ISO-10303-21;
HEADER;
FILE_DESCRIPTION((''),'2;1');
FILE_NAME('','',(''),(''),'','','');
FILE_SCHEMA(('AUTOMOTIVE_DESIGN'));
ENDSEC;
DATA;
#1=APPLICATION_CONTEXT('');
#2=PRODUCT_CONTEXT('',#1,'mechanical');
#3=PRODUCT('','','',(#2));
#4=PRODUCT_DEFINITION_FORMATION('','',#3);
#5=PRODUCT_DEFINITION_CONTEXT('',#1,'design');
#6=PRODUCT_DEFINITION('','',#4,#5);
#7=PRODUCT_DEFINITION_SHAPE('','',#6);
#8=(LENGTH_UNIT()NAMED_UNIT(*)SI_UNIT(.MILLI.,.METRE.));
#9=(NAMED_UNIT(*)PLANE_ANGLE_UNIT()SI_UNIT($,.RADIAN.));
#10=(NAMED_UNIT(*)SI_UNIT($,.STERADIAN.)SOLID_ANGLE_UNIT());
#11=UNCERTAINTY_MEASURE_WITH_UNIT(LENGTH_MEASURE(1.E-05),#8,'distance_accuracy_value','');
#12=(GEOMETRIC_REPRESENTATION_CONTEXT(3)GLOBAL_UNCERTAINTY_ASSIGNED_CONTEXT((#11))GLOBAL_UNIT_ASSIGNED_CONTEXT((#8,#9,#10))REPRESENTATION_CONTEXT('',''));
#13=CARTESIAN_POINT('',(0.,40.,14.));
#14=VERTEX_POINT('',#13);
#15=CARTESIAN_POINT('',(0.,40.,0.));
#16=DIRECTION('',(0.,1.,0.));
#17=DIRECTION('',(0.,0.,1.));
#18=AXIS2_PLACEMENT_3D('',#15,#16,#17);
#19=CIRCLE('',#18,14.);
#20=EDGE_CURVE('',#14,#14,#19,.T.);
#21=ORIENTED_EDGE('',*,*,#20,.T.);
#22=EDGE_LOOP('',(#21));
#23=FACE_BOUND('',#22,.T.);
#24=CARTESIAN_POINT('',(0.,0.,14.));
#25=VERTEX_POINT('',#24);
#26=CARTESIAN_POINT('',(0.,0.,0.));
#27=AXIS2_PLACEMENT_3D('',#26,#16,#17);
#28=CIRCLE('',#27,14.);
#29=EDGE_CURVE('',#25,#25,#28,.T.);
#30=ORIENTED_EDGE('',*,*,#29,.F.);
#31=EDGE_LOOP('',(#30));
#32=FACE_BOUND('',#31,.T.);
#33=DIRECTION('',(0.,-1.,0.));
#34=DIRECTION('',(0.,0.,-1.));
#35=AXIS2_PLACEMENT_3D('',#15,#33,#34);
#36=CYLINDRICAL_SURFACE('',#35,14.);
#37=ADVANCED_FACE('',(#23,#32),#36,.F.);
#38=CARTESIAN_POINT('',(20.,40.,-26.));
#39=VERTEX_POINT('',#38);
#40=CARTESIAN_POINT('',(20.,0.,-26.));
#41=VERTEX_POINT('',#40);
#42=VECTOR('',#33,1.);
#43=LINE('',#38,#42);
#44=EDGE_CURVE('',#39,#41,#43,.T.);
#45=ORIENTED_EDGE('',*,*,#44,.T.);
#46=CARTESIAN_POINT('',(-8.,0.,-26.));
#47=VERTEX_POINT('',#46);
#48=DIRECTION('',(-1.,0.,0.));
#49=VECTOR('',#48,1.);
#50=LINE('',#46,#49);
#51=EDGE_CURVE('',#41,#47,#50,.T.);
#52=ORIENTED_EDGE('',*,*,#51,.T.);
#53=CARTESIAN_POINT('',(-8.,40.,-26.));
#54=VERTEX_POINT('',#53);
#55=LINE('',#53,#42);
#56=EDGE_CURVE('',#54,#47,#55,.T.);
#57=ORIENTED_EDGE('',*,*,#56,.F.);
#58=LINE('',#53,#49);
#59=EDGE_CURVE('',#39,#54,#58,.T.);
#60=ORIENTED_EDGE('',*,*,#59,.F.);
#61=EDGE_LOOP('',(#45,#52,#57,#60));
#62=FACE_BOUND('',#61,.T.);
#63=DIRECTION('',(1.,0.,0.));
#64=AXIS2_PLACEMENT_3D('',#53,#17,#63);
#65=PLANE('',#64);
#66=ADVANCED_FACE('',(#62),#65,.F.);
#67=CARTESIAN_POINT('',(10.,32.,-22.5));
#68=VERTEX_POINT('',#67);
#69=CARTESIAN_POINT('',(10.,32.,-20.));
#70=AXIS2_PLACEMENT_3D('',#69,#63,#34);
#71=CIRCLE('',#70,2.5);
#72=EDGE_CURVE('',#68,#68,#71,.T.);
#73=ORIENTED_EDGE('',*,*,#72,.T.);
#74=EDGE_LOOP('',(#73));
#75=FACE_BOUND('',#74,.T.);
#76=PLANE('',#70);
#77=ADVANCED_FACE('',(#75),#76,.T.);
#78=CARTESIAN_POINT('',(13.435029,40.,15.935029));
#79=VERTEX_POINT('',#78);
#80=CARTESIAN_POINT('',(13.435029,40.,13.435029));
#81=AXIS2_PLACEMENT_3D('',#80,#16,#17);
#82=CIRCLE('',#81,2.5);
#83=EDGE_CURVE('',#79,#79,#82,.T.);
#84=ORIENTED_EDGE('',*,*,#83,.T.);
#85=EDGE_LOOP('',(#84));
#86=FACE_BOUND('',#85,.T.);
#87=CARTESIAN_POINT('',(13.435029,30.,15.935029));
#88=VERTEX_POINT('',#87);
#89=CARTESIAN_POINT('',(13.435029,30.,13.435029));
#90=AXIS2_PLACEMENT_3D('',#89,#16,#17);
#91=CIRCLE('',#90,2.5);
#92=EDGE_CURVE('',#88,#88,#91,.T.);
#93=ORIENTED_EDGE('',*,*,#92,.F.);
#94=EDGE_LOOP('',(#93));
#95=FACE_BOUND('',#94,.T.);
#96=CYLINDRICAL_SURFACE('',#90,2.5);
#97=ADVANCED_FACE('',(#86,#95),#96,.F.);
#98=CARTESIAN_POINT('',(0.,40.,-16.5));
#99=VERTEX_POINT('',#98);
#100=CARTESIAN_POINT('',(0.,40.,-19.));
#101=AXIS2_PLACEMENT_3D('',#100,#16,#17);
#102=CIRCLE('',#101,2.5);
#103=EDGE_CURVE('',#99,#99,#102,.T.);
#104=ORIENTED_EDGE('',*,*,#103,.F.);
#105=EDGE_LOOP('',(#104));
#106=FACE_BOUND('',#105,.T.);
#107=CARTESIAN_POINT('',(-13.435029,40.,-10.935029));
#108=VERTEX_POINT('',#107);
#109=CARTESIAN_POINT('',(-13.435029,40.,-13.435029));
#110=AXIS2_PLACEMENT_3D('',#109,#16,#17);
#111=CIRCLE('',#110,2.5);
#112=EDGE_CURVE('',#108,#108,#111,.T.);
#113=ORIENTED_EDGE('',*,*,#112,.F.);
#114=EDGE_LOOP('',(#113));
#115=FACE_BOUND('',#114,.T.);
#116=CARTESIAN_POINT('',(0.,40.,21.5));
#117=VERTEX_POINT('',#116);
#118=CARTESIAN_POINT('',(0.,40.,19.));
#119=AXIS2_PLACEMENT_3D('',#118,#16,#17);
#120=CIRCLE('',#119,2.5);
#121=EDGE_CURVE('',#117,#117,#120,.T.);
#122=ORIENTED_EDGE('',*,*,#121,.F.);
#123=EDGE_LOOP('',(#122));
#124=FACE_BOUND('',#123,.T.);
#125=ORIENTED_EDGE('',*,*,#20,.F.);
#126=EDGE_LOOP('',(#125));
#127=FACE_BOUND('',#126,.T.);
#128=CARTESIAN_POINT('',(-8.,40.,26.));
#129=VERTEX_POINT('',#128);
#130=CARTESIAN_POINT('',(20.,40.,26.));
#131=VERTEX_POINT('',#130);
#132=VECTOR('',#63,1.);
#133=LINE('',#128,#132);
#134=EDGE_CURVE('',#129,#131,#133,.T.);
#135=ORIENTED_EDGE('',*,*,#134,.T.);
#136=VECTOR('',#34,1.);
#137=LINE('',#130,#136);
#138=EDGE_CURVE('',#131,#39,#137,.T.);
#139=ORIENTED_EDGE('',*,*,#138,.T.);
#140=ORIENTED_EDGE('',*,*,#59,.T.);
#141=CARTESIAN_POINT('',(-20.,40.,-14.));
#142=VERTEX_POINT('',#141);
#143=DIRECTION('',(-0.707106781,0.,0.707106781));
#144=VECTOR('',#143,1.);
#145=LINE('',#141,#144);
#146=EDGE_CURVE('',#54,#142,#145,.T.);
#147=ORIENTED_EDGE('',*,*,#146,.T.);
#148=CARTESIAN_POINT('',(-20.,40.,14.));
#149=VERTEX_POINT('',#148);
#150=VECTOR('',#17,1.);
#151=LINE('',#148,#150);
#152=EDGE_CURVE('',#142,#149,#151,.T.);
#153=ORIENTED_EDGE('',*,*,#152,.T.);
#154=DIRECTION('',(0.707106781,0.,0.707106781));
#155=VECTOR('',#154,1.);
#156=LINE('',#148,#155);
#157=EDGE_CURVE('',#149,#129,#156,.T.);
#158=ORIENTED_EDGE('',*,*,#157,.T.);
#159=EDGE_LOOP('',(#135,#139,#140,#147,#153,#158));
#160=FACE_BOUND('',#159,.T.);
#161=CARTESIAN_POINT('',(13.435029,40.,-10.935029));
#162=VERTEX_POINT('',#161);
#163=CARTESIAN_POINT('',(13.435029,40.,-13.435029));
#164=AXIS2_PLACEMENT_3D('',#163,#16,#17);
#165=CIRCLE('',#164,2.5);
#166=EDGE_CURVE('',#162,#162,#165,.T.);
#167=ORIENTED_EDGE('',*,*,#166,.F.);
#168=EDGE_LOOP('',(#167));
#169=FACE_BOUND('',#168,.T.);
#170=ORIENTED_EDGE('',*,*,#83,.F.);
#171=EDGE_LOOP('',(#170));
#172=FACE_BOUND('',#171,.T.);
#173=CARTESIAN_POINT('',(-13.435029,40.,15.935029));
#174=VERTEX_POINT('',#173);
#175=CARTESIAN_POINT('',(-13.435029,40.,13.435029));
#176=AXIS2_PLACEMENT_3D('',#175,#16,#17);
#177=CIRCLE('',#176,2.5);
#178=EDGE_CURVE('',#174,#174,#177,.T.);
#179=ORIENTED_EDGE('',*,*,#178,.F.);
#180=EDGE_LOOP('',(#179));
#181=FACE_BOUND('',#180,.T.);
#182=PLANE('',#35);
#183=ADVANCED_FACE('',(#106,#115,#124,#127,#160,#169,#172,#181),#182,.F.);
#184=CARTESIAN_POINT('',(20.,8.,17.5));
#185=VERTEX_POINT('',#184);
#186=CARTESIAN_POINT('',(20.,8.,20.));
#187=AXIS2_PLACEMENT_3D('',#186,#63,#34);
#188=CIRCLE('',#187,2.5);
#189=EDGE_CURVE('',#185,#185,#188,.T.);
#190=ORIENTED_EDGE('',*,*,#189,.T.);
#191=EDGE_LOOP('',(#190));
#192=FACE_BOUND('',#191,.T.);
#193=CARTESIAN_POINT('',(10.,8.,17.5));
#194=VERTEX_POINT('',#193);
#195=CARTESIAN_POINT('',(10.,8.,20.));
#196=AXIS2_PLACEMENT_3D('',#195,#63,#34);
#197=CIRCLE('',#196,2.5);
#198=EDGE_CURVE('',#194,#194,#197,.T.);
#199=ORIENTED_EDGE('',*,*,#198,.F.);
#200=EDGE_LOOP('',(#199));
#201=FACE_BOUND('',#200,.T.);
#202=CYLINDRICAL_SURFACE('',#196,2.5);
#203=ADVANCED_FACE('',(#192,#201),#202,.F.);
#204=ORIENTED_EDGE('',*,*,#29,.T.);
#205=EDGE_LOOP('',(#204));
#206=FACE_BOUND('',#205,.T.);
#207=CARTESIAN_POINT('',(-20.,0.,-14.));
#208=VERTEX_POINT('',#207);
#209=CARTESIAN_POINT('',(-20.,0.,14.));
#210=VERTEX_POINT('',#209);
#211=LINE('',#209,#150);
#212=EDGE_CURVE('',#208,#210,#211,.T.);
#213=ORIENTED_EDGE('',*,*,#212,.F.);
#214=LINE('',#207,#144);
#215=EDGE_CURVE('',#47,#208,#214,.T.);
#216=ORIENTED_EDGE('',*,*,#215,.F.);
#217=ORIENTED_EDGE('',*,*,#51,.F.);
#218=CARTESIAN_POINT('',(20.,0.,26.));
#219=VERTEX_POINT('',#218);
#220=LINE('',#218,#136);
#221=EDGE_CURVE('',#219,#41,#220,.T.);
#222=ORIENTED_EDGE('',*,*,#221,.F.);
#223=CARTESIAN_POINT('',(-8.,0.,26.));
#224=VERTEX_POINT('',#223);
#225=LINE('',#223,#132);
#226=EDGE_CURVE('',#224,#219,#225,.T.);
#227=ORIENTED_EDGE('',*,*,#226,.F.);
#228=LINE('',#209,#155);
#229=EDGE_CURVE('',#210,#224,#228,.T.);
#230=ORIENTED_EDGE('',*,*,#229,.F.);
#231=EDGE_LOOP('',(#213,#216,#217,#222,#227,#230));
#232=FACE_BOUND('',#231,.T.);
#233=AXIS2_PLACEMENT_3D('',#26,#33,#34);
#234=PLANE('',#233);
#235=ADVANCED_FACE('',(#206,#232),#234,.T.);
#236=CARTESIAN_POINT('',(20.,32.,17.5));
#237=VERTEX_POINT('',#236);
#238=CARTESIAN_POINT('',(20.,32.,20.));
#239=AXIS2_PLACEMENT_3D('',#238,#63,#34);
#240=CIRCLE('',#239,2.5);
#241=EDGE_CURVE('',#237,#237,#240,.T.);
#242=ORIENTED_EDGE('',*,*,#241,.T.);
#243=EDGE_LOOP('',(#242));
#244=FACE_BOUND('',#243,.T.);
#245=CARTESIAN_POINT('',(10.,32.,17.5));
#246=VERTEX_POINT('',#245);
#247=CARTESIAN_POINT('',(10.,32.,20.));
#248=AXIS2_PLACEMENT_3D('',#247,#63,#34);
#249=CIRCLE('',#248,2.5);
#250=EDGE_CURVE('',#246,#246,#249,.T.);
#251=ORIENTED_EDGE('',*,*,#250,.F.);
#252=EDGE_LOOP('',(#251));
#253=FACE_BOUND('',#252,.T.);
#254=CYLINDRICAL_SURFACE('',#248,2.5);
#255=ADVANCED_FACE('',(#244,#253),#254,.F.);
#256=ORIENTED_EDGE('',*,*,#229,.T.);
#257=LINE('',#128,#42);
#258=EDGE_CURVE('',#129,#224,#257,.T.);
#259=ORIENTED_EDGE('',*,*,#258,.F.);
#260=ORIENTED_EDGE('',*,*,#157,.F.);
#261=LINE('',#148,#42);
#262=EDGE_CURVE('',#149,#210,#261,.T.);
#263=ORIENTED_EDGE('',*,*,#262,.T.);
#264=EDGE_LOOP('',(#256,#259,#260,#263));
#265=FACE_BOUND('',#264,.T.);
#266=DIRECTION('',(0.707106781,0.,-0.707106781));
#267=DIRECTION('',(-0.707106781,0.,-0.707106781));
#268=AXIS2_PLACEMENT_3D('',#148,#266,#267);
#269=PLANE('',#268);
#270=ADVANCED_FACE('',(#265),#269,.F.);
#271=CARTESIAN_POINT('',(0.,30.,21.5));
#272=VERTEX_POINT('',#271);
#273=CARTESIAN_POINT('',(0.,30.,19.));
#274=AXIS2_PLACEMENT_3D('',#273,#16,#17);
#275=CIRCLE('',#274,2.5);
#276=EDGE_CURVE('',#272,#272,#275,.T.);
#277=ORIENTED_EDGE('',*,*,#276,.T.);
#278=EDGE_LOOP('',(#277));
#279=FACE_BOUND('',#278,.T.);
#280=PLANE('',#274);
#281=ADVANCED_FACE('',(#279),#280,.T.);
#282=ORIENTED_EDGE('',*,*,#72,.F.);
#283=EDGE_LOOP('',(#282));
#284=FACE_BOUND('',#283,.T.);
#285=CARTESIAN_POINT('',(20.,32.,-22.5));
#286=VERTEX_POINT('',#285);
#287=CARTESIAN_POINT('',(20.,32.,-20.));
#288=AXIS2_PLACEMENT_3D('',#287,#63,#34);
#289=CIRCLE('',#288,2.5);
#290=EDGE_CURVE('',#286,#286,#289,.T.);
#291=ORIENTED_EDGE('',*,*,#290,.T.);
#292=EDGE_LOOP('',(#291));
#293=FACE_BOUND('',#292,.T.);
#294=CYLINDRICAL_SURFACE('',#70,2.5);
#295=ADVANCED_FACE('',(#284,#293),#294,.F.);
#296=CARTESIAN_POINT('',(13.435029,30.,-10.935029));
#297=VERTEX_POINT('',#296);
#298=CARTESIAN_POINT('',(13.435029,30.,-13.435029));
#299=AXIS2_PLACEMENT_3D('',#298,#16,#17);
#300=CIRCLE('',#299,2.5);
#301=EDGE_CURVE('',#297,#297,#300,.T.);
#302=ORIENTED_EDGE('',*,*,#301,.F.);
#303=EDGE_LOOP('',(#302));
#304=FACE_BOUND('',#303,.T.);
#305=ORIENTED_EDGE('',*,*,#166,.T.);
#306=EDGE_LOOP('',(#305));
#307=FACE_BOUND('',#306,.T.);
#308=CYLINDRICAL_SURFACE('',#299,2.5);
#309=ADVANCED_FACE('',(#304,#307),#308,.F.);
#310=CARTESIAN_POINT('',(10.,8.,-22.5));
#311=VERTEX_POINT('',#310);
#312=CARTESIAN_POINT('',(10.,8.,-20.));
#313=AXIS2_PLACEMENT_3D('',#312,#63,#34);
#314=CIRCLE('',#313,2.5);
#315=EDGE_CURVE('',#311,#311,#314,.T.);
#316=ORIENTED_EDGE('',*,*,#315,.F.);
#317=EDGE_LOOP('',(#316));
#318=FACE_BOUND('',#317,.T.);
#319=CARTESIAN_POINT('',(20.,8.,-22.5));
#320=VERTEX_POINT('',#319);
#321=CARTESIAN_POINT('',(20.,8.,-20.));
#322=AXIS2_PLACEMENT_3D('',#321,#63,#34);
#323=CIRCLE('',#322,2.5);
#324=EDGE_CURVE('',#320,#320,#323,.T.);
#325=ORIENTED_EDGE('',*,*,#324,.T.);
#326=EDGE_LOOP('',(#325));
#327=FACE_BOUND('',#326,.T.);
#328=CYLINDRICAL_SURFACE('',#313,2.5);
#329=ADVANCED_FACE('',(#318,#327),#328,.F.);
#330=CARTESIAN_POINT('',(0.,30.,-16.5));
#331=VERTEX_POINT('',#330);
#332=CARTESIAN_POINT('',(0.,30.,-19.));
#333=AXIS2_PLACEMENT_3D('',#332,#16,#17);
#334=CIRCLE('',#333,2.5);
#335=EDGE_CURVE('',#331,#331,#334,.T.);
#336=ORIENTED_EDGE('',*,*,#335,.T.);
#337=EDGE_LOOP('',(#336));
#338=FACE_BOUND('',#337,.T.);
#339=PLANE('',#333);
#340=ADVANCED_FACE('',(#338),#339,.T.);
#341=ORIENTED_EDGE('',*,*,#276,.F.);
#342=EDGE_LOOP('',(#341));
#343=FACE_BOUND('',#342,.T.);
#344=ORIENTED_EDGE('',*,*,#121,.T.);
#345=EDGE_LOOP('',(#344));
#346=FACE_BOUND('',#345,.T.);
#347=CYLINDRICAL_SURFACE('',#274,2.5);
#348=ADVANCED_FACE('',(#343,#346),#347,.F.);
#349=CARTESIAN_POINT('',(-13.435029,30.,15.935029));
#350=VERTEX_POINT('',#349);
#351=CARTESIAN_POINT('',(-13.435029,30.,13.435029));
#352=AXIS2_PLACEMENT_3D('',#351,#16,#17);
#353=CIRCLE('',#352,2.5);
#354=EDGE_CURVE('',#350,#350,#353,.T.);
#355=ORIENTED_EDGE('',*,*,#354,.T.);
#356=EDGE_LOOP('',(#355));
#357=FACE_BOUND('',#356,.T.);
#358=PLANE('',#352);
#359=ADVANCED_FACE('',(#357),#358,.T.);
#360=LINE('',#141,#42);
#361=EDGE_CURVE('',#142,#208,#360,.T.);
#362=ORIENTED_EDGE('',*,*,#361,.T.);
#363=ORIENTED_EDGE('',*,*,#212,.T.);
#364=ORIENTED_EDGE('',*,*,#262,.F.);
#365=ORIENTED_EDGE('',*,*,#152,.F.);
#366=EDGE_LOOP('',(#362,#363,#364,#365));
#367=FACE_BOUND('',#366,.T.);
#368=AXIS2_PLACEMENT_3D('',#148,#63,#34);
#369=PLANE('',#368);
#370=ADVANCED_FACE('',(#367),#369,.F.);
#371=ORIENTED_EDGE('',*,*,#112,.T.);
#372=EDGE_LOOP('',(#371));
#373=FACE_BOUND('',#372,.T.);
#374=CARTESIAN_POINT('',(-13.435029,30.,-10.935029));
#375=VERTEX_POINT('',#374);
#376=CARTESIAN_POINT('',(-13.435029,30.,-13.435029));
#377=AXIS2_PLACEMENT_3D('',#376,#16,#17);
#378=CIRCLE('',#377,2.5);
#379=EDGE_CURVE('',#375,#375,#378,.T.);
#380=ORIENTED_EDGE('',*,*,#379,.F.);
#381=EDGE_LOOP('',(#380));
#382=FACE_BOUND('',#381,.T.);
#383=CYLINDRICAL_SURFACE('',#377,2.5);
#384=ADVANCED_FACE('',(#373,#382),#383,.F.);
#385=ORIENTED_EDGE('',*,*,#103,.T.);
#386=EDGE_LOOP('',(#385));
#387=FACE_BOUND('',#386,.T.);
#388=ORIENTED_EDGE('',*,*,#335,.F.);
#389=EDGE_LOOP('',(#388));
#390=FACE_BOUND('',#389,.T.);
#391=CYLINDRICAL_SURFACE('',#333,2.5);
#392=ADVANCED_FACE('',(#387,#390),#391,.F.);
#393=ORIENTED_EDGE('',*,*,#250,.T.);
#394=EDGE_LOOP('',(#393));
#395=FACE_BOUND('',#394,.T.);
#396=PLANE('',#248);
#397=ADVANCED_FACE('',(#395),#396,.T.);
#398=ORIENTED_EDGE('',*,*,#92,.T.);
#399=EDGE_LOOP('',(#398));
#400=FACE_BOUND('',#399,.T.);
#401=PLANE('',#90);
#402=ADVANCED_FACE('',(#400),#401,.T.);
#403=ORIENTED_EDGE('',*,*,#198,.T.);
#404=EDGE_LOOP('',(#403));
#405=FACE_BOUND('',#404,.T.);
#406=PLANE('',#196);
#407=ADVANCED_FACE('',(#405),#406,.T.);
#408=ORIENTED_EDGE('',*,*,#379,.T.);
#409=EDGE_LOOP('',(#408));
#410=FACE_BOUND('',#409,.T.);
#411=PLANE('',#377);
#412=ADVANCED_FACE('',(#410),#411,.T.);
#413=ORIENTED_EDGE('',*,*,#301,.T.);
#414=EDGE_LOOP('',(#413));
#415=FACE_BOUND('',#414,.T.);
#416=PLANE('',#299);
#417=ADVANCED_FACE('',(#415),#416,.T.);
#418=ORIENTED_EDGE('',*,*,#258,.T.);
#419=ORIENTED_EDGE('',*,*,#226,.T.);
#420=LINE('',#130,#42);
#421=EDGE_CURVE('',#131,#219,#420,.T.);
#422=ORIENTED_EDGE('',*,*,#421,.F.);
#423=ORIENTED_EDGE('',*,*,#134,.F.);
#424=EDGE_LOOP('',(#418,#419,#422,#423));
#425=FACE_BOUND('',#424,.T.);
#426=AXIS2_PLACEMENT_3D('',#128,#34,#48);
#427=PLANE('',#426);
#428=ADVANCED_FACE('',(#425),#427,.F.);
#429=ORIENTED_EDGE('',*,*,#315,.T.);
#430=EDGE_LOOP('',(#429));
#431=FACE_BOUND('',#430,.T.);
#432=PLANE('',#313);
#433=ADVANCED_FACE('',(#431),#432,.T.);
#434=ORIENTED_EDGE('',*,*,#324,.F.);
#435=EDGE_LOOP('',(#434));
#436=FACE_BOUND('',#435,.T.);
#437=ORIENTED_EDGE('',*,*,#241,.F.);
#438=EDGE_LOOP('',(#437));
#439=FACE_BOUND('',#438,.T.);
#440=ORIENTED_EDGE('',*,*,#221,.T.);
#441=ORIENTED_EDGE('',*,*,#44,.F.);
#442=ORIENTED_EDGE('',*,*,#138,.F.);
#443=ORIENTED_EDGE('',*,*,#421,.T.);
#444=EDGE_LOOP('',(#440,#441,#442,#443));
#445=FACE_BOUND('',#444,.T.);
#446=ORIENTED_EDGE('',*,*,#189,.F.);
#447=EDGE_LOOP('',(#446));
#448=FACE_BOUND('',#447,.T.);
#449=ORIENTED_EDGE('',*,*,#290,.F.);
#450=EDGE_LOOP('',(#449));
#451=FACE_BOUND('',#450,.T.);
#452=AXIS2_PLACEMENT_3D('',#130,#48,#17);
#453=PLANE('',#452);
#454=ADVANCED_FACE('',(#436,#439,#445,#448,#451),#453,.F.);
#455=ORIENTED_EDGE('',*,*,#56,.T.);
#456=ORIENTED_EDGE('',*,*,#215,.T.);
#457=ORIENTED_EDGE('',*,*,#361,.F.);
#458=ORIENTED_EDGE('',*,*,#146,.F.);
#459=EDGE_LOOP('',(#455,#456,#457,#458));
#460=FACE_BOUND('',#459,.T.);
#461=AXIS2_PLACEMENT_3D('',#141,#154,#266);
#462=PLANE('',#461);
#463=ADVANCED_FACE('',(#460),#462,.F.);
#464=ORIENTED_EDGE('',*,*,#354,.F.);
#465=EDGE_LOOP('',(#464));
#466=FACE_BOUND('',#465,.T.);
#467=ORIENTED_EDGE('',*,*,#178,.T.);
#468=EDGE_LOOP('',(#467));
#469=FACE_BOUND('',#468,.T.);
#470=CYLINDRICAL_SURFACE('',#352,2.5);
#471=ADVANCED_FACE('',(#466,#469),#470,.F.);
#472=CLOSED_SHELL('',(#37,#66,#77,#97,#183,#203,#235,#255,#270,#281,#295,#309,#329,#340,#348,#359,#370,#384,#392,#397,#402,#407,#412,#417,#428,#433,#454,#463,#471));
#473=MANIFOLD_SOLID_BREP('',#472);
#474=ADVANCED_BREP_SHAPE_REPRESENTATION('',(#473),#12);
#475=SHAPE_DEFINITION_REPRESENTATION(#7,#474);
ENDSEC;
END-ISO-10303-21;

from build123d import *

# Parameters (mm, degrees)
SKETCH_1_R          = 14
EXTRUDE_1_DEPTH     = 40
SKETCH_2_R          = 2.5
CUT_EXTRUDE_1_DEPTH = 10
SKETCH_3_R          = 2.5
CUT_EXTRUDE_2_DEPTH = 10


with BuildPart() as part:
    # Эскиз1 → Бобышка-Вытянуть1 (new body)
    with BuildSketch(Plane(origin=(0, 0, 0), x_dir=(1, 0, 0), z_dir=(0, 1, 0))):
        Polygon((-20, 14), (-8, 26), (20, 26), (20, -26), (-8, -26), (-20, -14), align=None)
        Circle(SKETCH_1_R, mode=Mode.SUBTRACT)
    extrude(amount=EXTRUDE_1_DEPTH)

    # Эскиз2 → Вырез-Вытянуть1 (cut)
    with BuildSketch(Plane(origin=(0, 40, 0), x_dir=(1, 0, 0), z_dir=(0, 1, 0))):
        with Locations((0, 19)):
            Circle(SKETCH_2_R)
        with Locations((13.435028843, 13.435028843)):
            Circle(SKETCH_2_R)
        with Locations((13.435028843, -13.435028843)):
            Circle(SKETCH_2_R)
        with Locations((0, -19)):
            Circle(SKETCH_2_R)
        with Locations((-13.435028843, -13.435028843)):
            Circle(SKETCH_2_R)
        with Locations((-13.435028843, 13.435028843)):
            Circle(SKETCH_2_R)
    extrude(amount=-CUT_EXTRUDE_1_DEPTH, mode=Mode.SUBTRACT)

    # Эскиз3 → Вырез-Вытянуть2 (cut)
    with BuildSketch(Plane(origin=(20, 0, 0), x_dir=(0, 0, -1), z_dir=(1, 0, 0))):
        with Locations((-20, 32)):
            Circle(SKETCH_3_R)
        with Locations((20, 32)):
            Circle(SKETCH_3_R)
        with Locations((20, 8)):
            Circle(SKETCH_3_R)
        with Locations((-20, 8)):
            Circle(SKETCH_3_R)
    extrude(amount=-CUT_EXTRUDE_2_DEPTH, mode=Mode.SUBTRACT)


solid = part.part
